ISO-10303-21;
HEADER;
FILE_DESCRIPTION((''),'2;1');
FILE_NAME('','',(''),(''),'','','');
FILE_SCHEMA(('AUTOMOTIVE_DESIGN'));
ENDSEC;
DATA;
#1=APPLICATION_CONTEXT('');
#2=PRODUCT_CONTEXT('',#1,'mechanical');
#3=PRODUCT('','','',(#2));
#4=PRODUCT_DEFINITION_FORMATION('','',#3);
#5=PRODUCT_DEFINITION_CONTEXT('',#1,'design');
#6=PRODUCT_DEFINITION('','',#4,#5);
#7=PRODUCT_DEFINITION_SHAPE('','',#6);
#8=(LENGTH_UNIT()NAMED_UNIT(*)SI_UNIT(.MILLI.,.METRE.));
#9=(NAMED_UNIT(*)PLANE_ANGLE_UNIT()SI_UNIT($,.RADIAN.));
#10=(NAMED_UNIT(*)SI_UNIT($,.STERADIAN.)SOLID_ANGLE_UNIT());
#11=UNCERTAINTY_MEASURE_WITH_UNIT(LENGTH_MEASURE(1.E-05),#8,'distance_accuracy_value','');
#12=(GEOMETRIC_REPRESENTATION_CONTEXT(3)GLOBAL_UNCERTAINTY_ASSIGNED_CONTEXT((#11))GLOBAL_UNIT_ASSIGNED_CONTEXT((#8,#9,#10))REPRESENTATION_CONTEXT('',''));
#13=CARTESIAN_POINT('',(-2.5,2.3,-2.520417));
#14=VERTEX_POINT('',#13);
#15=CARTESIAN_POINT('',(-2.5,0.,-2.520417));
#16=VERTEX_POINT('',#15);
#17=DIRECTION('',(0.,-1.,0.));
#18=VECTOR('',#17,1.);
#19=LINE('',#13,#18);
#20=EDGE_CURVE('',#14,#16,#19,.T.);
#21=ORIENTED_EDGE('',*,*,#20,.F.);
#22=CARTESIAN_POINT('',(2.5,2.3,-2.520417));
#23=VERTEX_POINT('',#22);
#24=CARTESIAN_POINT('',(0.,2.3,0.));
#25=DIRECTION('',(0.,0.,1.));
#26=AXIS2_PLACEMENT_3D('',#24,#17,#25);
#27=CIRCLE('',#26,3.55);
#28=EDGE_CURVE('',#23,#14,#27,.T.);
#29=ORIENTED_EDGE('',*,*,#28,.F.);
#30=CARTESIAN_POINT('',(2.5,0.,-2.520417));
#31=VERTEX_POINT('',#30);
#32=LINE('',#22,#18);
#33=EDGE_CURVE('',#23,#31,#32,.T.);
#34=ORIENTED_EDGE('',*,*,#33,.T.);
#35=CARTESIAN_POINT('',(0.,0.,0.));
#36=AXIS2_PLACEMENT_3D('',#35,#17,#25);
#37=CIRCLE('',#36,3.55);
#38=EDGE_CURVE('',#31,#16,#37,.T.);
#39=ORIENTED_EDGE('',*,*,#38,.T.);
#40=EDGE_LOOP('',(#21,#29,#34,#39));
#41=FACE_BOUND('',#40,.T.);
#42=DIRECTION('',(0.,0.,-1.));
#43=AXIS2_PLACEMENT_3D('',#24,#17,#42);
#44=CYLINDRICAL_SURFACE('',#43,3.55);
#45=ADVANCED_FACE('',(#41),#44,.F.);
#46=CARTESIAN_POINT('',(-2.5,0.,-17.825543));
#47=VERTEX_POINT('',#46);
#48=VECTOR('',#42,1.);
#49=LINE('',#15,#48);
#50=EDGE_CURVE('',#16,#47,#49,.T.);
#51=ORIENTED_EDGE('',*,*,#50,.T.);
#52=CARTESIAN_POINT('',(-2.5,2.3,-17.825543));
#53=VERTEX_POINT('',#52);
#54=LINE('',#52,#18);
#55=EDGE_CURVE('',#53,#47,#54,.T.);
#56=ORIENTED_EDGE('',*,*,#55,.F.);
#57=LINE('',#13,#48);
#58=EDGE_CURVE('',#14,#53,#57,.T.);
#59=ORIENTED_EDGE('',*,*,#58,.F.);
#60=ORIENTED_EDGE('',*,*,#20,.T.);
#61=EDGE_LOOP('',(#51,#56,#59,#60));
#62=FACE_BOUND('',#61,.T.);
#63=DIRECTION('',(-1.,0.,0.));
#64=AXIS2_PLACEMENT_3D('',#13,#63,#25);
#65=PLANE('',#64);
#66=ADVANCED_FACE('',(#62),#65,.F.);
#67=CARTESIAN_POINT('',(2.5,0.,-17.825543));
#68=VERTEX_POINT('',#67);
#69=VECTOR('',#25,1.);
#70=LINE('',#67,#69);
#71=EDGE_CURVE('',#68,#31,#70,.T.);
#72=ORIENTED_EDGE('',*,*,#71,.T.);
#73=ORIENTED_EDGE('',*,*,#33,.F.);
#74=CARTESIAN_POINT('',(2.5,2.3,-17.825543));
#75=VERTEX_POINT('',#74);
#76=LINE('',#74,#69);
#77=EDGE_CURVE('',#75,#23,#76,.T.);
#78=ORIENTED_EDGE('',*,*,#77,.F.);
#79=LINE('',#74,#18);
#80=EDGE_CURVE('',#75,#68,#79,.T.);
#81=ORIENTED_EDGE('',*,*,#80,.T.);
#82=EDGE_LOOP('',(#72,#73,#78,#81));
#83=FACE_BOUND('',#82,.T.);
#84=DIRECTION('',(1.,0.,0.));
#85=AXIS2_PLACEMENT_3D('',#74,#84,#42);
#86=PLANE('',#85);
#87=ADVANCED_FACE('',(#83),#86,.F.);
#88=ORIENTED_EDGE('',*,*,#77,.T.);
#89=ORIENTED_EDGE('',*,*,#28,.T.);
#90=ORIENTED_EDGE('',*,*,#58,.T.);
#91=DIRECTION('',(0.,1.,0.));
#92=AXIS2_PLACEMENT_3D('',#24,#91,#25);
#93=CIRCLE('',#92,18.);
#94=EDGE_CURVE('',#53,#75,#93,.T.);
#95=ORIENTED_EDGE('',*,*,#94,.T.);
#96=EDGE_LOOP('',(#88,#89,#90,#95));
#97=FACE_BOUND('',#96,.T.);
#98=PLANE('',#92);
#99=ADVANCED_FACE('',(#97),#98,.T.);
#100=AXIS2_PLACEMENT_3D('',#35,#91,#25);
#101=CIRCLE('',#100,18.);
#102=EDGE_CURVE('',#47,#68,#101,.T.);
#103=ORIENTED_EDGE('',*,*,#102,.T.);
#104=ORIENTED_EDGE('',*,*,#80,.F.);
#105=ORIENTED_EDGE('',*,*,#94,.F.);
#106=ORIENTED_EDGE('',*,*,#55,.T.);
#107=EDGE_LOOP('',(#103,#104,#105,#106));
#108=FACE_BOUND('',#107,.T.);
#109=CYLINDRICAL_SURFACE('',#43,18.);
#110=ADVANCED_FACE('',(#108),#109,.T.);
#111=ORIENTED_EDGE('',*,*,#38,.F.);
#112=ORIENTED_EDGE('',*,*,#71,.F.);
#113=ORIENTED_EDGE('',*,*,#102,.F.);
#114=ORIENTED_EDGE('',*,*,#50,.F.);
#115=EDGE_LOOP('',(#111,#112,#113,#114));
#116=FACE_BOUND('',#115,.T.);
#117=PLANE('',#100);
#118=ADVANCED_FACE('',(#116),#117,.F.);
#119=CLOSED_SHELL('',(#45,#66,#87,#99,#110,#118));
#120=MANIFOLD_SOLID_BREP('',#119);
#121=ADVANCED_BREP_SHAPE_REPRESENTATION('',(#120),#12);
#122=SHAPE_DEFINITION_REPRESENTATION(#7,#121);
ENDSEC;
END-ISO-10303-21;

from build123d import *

# Parameters (mm, degrees)
SALIENTE_EXTRUIR1_DEPTH = 2.3


with BuildPart() as part:
    # Croquis1 → Saliente-Extruir1 (new body)
    with BuildSketch(Plane(origin=(0, 0, 0), x_dir=(1, 0, 0), z_dir=(0, 1, 0))):
        with BuildLine():
            Line((-2.5, 2.520416632), (-2.5, 17.82554347))
            ThreePointArc((-2.5, 17.82554347), (0, -18), (2.5, 17.82554347))
            Line((2.5, 17.82554347), (2.5, 2.520416632))
            ThreePointArc((2.5, 2.520416632), (0, -3.55), (-2.5, 2.520416632))
        make_face()
    extrude(amount=SALIENTE_EXTRUIR1_DEPTH)


solid = part.part
